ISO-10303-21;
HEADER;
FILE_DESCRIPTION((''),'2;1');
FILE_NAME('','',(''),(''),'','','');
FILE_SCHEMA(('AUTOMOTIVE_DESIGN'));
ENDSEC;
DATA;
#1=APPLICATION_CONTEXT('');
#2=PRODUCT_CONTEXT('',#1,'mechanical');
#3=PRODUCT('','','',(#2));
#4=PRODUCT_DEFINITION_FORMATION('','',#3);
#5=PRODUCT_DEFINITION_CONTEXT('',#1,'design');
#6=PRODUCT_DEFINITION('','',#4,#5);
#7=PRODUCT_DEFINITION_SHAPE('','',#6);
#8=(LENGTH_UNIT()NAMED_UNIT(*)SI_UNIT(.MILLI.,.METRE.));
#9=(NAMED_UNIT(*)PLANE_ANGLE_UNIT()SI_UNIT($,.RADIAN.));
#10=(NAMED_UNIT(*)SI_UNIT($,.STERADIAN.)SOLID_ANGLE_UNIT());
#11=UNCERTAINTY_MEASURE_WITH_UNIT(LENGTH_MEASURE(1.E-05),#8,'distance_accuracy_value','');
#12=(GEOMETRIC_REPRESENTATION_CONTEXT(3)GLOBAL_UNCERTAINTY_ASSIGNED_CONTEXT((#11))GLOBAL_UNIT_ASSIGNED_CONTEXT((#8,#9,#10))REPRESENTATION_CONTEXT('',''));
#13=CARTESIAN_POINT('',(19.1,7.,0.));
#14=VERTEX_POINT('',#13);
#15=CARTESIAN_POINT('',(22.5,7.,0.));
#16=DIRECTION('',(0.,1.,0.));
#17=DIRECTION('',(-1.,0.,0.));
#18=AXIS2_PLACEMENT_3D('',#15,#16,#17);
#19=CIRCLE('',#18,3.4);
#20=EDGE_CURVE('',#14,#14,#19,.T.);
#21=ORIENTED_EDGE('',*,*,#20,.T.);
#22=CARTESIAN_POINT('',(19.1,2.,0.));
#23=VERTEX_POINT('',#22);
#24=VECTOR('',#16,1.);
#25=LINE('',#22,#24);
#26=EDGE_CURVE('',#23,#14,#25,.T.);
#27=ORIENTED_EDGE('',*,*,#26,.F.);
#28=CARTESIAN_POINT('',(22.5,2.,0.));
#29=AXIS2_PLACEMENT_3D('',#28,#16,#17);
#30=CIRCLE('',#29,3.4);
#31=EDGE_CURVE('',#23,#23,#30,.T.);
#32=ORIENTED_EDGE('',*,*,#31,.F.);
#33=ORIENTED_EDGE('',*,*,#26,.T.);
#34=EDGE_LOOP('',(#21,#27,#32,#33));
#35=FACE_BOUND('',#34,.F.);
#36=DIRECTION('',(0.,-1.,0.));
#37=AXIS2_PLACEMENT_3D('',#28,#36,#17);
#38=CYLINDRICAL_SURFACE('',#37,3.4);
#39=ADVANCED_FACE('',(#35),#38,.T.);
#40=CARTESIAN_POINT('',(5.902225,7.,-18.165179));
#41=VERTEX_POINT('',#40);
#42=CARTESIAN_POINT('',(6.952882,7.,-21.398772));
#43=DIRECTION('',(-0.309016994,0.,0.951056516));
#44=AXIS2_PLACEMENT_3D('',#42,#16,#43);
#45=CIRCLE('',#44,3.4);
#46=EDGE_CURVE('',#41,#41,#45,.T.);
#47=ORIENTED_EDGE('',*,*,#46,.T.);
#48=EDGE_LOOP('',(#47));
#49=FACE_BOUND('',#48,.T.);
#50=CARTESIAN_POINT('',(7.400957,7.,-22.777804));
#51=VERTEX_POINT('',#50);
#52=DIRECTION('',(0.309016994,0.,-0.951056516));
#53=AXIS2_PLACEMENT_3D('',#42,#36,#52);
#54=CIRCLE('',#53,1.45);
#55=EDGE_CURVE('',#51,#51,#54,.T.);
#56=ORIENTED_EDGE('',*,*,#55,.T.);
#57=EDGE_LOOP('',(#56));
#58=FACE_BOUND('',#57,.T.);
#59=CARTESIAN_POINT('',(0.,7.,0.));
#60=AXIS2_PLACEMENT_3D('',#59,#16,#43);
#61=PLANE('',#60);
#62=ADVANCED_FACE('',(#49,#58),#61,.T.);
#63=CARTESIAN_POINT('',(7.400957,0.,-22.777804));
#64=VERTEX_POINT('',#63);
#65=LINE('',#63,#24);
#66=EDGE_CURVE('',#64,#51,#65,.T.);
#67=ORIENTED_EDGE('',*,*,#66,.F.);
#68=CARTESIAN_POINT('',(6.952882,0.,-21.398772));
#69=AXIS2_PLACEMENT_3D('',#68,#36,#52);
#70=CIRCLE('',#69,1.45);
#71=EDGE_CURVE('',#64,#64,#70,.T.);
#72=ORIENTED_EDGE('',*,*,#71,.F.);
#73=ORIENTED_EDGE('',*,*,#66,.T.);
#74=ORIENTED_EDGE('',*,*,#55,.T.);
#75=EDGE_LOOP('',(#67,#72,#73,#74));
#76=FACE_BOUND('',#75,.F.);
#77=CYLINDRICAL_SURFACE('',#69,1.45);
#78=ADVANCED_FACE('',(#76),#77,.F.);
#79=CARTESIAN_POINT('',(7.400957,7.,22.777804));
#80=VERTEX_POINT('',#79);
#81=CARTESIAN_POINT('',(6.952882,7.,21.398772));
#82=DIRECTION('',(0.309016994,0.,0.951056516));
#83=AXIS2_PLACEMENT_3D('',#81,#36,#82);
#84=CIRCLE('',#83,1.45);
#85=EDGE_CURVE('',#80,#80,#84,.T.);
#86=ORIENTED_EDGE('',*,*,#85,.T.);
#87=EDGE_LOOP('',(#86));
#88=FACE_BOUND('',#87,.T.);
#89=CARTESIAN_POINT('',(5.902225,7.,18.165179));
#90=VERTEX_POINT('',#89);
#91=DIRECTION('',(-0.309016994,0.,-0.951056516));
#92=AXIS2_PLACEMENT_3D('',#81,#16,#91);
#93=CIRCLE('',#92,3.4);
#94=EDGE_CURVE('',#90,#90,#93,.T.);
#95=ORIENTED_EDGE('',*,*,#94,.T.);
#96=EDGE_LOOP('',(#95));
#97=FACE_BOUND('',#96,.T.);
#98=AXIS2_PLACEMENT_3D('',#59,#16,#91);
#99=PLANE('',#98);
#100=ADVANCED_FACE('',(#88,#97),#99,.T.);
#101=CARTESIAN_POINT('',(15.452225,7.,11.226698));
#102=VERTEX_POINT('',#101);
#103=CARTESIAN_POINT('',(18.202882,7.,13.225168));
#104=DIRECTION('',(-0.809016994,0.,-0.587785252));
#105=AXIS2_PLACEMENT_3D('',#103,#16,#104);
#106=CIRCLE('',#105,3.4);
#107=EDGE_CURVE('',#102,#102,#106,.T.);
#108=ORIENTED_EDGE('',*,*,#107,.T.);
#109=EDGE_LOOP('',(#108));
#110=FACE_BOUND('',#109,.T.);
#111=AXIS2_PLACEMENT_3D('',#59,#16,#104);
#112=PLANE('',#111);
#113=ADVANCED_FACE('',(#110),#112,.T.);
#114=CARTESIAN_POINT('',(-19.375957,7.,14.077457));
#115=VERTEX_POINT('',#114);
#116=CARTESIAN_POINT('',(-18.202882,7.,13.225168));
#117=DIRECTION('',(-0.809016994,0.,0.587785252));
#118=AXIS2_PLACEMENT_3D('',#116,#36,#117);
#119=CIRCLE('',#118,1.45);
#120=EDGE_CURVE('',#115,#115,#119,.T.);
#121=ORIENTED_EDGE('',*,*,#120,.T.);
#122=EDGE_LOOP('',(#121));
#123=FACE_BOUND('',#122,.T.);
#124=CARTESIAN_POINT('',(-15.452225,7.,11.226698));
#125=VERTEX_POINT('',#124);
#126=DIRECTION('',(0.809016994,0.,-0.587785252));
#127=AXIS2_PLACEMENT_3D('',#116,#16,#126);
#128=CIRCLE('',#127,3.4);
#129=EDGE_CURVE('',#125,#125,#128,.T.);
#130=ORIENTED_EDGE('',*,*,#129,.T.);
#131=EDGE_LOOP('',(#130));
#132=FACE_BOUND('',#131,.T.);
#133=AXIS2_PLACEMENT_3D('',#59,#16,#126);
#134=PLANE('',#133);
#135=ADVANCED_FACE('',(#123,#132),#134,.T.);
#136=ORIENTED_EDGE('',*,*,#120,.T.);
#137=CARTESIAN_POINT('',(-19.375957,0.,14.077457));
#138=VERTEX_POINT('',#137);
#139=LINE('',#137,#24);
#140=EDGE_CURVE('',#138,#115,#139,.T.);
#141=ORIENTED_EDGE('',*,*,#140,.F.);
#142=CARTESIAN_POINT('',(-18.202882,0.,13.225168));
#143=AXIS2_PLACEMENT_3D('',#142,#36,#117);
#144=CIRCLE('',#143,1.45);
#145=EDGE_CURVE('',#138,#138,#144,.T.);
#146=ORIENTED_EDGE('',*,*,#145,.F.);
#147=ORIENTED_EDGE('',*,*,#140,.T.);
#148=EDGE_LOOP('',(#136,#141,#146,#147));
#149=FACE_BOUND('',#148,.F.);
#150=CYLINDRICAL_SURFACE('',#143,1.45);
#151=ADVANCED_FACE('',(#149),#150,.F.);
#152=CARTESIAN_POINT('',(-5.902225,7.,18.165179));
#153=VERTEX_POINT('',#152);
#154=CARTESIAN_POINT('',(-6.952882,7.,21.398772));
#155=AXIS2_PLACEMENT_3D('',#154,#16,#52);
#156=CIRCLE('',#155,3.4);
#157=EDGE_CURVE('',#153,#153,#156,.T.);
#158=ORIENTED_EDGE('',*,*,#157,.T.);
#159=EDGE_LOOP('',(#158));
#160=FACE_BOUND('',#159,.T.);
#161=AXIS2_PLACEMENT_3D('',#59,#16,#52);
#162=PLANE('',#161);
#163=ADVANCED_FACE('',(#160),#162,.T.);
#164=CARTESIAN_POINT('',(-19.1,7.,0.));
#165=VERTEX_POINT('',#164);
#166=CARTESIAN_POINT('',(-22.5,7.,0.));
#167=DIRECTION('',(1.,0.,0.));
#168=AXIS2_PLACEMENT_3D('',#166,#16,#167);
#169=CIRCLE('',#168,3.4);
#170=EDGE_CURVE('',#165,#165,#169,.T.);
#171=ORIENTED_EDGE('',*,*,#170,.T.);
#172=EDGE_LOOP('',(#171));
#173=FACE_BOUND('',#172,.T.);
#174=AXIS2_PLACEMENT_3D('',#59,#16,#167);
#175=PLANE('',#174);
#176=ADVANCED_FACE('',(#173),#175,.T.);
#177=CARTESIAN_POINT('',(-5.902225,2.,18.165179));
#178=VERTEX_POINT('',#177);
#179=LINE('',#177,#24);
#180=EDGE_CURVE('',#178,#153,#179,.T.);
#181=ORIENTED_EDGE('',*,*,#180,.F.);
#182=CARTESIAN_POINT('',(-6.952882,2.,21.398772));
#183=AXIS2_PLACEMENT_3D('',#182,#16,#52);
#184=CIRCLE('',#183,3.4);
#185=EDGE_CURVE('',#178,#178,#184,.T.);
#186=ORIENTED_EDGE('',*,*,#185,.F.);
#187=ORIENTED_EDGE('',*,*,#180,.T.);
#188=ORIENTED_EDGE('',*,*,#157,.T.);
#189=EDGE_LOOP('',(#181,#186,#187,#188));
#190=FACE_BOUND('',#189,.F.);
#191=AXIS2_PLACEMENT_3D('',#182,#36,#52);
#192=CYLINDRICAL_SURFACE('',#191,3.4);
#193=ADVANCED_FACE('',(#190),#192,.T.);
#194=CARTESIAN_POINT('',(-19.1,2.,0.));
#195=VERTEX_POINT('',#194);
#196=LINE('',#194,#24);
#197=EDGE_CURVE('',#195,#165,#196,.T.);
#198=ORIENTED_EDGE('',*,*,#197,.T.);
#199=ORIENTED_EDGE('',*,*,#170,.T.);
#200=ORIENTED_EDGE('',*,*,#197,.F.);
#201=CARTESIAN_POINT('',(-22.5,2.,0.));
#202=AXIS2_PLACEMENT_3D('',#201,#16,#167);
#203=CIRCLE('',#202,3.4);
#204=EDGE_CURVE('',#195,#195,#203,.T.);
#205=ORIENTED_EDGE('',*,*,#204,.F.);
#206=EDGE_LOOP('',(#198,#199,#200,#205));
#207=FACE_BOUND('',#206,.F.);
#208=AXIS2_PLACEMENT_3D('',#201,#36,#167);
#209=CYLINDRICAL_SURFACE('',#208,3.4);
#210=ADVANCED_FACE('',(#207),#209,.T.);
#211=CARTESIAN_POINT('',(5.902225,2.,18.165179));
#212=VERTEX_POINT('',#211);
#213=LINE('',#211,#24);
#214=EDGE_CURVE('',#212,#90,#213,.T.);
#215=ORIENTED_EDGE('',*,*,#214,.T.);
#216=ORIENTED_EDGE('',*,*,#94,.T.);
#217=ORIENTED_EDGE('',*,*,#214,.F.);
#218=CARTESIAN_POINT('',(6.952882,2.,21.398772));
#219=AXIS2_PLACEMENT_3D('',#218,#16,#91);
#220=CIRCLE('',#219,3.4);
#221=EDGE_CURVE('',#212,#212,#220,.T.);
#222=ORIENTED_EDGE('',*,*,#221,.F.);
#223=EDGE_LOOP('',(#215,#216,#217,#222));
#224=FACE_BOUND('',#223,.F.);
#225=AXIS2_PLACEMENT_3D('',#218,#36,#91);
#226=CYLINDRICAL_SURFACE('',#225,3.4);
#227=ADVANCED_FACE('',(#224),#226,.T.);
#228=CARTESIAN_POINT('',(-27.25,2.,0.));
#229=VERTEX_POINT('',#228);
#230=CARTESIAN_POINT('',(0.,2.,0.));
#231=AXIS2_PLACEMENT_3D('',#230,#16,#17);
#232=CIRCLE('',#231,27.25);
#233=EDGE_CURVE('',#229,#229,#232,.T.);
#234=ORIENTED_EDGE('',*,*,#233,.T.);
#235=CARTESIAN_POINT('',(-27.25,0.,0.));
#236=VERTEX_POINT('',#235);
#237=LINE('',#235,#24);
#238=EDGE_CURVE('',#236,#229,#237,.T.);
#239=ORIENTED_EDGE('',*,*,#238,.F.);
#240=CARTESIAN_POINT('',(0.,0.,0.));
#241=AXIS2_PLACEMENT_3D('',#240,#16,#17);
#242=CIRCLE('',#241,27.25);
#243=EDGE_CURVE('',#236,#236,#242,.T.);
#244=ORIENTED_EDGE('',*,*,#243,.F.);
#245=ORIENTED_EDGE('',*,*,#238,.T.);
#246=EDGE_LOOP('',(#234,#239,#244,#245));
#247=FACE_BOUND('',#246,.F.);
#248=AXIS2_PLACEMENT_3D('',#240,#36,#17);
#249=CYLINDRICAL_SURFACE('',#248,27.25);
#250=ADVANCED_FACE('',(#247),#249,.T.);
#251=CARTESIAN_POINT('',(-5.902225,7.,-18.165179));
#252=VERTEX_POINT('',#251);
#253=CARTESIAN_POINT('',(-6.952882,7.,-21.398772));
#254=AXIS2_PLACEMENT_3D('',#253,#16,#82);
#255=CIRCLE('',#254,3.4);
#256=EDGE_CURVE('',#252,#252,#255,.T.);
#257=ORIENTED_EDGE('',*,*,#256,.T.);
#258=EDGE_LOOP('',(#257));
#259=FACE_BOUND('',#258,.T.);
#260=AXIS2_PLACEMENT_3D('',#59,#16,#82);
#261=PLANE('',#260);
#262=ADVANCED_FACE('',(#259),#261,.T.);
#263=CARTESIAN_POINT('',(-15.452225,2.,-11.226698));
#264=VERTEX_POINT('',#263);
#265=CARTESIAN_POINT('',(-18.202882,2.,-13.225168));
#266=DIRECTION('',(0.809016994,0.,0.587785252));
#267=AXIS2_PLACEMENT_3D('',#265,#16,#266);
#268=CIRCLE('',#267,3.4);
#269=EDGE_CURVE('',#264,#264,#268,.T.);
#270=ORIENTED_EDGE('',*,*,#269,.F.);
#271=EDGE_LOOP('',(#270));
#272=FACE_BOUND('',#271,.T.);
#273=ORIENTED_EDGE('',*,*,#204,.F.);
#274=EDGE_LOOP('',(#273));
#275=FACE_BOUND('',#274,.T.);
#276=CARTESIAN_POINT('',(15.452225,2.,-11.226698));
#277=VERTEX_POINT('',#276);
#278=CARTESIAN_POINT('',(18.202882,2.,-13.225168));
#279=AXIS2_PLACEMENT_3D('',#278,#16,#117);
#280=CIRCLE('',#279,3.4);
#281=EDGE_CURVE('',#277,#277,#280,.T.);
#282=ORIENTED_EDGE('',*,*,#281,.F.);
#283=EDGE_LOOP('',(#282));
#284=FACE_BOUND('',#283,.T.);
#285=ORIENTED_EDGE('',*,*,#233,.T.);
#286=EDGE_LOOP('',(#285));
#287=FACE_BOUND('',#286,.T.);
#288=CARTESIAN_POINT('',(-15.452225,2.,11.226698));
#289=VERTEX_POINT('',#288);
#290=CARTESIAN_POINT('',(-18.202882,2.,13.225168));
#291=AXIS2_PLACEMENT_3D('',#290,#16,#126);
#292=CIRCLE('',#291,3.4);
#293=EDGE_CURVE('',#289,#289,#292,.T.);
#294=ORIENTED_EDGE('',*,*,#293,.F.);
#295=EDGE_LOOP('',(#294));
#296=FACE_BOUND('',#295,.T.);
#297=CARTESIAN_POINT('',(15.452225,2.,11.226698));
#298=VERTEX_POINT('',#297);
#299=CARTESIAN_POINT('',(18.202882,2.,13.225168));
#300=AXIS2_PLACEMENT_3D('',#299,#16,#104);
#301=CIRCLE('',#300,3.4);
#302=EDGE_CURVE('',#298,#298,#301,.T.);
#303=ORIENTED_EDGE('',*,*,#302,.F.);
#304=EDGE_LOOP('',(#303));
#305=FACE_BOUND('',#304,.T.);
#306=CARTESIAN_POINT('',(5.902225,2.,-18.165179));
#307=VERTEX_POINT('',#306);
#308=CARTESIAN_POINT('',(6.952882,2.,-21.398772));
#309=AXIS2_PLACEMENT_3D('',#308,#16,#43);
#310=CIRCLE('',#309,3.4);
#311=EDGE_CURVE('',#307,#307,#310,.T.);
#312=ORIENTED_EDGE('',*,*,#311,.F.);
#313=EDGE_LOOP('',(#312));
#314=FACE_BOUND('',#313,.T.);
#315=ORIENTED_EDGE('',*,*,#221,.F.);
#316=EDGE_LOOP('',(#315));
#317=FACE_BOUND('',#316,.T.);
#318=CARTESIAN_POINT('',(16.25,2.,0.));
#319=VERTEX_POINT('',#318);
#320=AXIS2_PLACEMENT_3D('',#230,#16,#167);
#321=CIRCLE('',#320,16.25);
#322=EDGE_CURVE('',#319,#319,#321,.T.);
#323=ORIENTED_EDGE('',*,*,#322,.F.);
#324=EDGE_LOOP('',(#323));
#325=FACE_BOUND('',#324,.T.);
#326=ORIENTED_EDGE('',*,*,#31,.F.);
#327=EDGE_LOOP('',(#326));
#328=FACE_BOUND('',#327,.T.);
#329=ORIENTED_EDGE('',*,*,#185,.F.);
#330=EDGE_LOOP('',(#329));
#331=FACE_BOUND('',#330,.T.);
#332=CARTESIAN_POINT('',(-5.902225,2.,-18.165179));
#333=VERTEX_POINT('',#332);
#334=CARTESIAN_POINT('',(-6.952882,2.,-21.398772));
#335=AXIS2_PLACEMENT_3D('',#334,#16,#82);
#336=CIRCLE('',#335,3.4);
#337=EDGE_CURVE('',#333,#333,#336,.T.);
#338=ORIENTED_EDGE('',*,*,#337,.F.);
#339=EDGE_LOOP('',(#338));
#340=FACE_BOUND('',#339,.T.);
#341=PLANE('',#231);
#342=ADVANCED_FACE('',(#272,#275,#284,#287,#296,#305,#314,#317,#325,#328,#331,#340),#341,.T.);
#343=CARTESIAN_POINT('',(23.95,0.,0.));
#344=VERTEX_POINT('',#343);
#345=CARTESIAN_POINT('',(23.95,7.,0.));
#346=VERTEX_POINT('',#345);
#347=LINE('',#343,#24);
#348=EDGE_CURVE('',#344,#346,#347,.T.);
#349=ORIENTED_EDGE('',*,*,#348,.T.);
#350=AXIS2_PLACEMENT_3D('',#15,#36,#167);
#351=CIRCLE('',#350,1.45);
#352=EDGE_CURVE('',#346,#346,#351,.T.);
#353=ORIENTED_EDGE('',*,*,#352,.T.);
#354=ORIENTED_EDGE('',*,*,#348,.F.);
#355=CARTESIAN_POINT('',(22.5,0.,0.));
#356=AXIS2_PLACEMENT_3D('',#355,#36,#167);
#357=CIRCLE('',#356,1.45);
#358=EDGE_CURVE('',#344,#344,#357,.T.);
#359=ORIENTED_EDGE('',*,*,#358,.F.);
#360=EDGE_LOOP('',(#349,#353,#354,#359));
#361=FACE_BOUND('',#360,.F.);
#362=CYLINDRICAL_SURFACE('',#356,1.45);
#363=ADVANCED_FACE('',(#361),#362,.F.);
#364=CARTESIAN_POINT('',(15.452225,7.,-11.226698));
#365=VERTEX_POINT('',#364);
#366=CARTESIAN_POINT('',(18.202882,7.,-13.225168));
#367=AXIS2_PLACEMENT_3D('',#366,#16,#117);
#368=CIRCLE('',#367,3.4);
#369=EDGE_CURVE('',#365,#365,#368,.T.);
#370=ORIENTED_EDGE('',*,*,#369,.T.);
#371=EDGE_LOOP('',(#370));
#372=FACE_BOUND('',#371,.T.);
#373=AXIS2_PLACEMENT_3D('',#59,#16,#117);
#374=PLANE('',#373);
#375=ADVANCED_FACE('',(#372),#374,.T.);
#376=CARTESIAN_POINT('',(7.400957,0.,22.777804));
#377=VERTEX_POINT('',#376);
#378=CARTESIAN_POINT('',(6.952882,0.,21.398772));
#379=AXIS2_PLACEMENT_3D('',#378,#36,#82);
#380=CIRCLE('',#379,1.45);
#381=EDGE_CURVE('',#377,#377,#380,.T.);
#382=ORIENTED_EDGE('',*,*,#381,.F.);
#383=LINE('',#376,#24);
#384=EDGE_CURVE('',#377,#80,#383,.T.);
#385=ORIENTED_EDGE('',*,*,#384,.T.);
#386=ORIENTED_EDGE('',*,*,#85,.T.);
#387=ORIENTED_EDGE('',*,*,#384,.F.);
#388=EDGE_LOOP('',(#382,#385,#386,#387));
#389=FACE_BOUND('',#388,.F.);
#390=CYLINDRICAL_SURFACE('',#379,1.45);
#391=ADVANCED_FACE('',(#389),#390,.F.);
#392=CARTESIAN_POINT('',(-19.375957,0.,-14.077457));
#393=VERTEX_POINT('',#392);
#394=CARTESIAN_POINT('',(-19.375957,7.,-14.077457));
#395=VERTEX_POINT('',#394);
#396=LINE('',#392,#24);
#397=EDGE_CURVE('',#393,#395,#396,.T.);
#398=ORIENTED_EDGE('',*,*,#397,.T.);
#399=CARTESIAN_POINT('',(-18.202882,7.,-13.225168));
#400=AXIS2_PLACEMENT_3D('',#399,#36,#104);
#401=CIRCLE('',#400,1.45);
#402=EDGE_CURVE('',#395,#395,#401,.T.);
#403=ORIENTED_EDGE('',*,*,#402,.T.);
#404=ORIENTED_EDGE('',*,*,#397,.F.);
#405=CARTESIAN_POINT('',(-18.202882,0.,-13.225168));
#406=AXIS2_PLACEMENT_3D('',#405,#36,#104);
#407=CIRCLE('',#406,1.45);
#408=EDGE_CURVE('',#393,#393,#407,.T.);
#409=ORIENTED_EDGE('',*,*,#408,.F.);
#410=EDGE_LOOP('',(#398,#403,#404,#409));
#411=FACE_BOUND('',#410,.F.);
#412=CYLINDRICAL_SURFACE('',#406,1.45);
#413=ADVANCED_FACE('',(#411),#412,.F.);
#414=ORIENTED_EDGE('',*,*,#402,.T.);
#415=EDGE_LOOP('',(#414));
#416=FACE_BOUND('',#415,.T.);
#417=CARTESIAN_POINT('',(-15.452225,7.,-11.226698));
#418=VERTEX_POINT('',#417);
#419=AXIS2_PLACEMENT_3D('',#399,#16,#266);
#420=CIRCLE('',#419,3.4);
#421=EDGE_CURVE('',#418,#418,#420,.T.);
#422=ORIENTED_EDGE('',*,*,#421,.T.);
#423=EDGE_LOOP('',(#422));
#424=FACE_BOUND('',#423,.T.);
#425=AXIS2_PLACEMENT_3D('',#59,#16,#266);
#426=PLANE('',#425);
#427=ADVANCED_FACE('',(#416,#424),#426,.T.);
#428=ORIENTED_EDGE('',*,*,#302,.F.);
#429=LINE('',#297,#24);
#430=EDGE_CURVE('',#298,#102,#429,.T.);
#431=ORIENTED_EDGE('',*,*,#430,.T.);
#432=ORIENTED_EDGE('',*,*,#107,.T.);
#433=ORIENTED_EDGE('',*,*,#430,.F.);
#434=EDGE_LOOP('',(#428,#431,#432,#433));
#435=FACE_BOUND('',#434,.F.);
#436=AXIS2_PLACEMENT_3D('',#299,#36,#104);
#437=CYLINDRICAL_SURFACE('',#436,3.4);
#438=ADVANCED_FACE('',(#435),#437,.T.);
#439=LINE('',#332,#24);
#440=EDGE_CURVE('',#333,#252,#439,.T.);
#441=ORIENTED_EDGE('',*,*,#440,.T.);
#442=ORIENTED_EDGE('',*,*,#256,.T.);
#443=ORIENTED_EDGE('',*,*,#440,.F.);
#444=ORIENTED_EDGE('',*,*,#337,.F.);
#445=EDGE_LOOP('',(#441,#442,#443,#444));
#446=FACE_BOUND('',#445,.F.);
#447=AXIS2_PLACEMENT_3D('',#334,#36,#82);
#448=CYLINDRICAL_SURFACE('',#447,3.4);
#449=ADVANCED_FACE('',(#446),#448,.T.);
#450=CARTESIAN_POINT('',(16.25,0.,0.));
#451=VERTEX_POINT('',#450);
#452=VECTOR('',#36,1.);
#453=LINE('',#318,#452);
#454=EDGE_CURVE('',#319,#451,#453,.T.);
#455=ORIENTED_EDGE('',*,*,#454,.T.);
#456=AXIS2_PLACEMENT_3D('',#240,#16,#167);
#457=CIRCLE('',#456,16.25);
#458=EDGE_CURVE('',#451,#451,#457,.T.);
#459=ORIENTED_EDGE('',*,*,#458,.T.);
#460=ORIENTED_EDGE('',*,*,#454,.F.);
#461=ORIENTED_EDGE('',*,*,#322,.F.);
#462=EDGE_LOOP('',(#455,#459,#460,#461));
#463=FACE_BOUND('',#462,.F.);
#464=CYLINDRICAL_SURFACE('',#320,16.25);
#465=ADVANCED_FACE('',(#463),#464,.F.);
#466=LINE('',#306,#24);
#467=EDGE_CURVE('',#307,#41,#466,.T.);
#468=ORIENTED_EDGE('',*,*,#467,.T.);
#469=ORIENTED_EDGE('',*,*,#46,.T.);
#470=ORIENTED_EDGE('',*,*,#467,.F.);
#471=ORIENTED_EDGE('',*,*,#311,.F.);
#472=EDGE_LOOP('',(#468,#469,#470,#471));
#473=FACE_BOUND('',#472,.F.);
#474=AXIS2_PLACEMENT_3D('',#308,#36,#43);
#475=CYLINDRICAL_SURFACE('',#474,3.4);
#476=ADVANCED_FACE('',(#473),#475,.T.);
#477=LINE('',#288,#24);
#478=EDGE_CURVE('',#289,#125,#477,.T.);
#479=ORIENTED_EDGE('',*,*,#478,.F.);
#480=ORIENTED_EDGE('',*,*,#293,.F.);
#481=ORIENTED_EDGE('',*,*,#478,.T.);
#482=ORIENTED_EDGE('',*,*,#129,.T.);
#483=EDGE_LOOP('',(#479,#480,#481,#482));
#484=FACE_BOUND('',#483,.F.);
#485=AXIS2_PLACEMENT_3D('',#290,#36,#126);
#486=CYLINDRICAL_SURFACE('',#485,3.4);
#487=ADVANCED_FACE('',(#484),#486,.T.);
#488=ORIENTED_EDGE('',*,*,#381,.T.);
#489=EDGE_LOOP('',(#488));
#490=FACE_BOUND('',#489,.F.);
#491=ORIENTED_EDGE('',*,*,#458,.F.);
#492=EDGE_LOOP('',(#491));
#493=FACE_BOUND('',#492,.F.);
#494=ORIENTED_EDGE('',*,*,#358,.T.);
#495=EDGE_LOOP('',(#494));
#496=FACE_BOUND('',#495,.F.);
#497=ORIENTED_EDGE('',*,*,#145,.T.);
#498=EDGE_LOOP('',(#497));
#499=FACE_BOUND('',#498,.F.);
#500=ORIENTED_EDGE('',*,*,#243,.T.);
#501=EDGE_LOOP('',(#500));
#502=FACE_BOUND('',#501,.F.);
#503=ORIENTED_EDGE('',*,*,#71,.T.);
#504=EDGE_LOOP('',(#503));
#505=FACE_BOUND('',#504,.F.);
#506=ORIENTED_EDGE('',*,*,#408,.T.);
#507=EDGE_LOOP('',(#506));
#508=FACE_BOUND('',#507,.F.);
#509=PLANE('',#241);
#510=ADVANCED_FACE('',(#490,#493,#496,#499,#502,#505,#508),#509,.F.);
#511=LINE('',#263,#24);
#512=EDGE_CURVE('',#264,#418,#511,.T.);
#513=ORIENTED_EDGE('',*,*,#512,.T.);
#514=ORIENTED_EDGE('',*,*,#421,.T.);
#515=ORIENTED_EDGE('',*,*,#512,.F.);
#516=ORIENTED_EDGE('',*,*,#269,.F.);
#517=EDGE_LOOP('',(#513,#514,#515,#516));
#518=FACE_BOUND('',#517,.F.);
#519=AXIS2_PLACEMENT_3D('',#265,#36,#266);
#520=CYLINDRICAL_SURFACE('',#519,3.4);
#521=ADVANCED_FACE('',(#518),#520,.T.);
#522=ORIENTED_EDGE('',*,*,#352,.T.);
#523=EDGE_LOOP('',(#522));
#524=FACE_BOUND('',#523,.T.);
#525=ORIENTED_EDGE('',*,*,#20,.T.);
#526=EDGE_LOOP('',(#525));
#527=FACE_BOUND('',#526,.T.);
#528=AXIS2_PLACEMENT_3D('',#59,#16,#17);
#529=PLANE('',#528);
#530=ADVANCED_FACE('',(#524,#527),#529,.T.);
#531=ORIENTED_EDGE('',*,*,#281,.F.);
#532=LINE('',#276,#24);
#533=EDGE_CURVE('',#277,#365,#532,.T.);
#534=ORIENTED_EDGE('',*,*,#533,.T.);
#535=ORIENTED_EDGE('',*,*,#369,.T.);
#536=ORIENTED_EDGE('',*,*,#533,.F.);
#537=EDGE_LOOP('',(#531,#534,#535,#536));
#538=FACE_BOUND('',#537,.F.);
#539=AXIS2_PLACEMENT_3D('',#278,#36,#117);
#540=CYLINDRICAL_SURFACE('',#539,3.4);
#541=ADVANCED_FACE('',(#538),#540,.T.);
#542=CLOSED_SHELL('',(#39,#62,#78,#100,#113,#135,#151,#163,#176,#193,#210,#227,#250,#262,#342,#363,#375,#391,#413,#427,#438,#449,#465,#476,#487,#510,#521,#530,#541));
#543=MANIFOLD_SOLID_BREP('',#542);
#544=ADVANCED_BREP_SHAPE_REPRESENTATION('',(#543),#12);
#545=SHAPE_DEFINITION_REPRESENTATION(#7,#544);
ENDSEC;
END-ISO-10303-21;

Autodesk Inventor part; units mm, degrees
ref_plane "YZ Plane" through (0, 0, 0) normal (1, 0, 0) x (0, 1, 0)
ref_plane "XZ Plane" through (0, 0, 0) normal (0, 1, 0) x (-1, 0, 0)
ref_plane "XY Plane" through (0, 0, 0) normal (0, 0, 1) x (1, 0, 0)
sketch "Szkic3" plane through (0, 0, 0) normal (0, 1, 0) x (-1, 0, 0)
  circle A0 centre (0, 0) radius 27.25
  dimension "d7" = 54.5
extrude "Wyciągnięcie proste3" add sketch "Szkic3" along normal blind 2
sketch "Szkic4" plane through (0, 2, 0) normal (0, 1, 0) x (1, 0, 0)
  circle A0 centre (-22.5, 0) radius 3.4
  point P0 (0, 0)
  dimension "d10" = 22.5
  dimension "d16" = 6.8
extrude "Wyciągnięcie proste4" add sketch "Szkic4" along normal blind 5
pattern_circular "Szyk kołowy1" count 10 over 360 about axis through (0, 0, 0) along (0, 1, 0) of "Wyciągnięcie proste4"
sketch "Szkic5" plane through (0, 0, 0) normal (0, -1, 0) x (1, 0, 0)
  circle A0 centre (22.5, 0) radius 1.45
  point P0 (0, 0)
  dimension "d17" = 2.9
extrude "Wyciągnięcie proste5" cut sketch "Szkic5" against normal up to surface (7 mm away)
pattern_circular "Szyk kołowy2" count 5 over 360 about axis through (0, 0, 0) along (0, 1, 0) of "Wyciągnięcie proste5"
sketch "Szkic6" plane through (0, 2, 0) normal (0, 1, 0) x (1, 0, 0)
  circle A0 centre (0, 0) radius 16.25
  dimension "d23" = 32.5
extrude "Wyciągnięcie proste6" cut sketch "Szkic6" against normal up to surface (2 mm away)
properties part number "OutputShaft1_3DPrint"
